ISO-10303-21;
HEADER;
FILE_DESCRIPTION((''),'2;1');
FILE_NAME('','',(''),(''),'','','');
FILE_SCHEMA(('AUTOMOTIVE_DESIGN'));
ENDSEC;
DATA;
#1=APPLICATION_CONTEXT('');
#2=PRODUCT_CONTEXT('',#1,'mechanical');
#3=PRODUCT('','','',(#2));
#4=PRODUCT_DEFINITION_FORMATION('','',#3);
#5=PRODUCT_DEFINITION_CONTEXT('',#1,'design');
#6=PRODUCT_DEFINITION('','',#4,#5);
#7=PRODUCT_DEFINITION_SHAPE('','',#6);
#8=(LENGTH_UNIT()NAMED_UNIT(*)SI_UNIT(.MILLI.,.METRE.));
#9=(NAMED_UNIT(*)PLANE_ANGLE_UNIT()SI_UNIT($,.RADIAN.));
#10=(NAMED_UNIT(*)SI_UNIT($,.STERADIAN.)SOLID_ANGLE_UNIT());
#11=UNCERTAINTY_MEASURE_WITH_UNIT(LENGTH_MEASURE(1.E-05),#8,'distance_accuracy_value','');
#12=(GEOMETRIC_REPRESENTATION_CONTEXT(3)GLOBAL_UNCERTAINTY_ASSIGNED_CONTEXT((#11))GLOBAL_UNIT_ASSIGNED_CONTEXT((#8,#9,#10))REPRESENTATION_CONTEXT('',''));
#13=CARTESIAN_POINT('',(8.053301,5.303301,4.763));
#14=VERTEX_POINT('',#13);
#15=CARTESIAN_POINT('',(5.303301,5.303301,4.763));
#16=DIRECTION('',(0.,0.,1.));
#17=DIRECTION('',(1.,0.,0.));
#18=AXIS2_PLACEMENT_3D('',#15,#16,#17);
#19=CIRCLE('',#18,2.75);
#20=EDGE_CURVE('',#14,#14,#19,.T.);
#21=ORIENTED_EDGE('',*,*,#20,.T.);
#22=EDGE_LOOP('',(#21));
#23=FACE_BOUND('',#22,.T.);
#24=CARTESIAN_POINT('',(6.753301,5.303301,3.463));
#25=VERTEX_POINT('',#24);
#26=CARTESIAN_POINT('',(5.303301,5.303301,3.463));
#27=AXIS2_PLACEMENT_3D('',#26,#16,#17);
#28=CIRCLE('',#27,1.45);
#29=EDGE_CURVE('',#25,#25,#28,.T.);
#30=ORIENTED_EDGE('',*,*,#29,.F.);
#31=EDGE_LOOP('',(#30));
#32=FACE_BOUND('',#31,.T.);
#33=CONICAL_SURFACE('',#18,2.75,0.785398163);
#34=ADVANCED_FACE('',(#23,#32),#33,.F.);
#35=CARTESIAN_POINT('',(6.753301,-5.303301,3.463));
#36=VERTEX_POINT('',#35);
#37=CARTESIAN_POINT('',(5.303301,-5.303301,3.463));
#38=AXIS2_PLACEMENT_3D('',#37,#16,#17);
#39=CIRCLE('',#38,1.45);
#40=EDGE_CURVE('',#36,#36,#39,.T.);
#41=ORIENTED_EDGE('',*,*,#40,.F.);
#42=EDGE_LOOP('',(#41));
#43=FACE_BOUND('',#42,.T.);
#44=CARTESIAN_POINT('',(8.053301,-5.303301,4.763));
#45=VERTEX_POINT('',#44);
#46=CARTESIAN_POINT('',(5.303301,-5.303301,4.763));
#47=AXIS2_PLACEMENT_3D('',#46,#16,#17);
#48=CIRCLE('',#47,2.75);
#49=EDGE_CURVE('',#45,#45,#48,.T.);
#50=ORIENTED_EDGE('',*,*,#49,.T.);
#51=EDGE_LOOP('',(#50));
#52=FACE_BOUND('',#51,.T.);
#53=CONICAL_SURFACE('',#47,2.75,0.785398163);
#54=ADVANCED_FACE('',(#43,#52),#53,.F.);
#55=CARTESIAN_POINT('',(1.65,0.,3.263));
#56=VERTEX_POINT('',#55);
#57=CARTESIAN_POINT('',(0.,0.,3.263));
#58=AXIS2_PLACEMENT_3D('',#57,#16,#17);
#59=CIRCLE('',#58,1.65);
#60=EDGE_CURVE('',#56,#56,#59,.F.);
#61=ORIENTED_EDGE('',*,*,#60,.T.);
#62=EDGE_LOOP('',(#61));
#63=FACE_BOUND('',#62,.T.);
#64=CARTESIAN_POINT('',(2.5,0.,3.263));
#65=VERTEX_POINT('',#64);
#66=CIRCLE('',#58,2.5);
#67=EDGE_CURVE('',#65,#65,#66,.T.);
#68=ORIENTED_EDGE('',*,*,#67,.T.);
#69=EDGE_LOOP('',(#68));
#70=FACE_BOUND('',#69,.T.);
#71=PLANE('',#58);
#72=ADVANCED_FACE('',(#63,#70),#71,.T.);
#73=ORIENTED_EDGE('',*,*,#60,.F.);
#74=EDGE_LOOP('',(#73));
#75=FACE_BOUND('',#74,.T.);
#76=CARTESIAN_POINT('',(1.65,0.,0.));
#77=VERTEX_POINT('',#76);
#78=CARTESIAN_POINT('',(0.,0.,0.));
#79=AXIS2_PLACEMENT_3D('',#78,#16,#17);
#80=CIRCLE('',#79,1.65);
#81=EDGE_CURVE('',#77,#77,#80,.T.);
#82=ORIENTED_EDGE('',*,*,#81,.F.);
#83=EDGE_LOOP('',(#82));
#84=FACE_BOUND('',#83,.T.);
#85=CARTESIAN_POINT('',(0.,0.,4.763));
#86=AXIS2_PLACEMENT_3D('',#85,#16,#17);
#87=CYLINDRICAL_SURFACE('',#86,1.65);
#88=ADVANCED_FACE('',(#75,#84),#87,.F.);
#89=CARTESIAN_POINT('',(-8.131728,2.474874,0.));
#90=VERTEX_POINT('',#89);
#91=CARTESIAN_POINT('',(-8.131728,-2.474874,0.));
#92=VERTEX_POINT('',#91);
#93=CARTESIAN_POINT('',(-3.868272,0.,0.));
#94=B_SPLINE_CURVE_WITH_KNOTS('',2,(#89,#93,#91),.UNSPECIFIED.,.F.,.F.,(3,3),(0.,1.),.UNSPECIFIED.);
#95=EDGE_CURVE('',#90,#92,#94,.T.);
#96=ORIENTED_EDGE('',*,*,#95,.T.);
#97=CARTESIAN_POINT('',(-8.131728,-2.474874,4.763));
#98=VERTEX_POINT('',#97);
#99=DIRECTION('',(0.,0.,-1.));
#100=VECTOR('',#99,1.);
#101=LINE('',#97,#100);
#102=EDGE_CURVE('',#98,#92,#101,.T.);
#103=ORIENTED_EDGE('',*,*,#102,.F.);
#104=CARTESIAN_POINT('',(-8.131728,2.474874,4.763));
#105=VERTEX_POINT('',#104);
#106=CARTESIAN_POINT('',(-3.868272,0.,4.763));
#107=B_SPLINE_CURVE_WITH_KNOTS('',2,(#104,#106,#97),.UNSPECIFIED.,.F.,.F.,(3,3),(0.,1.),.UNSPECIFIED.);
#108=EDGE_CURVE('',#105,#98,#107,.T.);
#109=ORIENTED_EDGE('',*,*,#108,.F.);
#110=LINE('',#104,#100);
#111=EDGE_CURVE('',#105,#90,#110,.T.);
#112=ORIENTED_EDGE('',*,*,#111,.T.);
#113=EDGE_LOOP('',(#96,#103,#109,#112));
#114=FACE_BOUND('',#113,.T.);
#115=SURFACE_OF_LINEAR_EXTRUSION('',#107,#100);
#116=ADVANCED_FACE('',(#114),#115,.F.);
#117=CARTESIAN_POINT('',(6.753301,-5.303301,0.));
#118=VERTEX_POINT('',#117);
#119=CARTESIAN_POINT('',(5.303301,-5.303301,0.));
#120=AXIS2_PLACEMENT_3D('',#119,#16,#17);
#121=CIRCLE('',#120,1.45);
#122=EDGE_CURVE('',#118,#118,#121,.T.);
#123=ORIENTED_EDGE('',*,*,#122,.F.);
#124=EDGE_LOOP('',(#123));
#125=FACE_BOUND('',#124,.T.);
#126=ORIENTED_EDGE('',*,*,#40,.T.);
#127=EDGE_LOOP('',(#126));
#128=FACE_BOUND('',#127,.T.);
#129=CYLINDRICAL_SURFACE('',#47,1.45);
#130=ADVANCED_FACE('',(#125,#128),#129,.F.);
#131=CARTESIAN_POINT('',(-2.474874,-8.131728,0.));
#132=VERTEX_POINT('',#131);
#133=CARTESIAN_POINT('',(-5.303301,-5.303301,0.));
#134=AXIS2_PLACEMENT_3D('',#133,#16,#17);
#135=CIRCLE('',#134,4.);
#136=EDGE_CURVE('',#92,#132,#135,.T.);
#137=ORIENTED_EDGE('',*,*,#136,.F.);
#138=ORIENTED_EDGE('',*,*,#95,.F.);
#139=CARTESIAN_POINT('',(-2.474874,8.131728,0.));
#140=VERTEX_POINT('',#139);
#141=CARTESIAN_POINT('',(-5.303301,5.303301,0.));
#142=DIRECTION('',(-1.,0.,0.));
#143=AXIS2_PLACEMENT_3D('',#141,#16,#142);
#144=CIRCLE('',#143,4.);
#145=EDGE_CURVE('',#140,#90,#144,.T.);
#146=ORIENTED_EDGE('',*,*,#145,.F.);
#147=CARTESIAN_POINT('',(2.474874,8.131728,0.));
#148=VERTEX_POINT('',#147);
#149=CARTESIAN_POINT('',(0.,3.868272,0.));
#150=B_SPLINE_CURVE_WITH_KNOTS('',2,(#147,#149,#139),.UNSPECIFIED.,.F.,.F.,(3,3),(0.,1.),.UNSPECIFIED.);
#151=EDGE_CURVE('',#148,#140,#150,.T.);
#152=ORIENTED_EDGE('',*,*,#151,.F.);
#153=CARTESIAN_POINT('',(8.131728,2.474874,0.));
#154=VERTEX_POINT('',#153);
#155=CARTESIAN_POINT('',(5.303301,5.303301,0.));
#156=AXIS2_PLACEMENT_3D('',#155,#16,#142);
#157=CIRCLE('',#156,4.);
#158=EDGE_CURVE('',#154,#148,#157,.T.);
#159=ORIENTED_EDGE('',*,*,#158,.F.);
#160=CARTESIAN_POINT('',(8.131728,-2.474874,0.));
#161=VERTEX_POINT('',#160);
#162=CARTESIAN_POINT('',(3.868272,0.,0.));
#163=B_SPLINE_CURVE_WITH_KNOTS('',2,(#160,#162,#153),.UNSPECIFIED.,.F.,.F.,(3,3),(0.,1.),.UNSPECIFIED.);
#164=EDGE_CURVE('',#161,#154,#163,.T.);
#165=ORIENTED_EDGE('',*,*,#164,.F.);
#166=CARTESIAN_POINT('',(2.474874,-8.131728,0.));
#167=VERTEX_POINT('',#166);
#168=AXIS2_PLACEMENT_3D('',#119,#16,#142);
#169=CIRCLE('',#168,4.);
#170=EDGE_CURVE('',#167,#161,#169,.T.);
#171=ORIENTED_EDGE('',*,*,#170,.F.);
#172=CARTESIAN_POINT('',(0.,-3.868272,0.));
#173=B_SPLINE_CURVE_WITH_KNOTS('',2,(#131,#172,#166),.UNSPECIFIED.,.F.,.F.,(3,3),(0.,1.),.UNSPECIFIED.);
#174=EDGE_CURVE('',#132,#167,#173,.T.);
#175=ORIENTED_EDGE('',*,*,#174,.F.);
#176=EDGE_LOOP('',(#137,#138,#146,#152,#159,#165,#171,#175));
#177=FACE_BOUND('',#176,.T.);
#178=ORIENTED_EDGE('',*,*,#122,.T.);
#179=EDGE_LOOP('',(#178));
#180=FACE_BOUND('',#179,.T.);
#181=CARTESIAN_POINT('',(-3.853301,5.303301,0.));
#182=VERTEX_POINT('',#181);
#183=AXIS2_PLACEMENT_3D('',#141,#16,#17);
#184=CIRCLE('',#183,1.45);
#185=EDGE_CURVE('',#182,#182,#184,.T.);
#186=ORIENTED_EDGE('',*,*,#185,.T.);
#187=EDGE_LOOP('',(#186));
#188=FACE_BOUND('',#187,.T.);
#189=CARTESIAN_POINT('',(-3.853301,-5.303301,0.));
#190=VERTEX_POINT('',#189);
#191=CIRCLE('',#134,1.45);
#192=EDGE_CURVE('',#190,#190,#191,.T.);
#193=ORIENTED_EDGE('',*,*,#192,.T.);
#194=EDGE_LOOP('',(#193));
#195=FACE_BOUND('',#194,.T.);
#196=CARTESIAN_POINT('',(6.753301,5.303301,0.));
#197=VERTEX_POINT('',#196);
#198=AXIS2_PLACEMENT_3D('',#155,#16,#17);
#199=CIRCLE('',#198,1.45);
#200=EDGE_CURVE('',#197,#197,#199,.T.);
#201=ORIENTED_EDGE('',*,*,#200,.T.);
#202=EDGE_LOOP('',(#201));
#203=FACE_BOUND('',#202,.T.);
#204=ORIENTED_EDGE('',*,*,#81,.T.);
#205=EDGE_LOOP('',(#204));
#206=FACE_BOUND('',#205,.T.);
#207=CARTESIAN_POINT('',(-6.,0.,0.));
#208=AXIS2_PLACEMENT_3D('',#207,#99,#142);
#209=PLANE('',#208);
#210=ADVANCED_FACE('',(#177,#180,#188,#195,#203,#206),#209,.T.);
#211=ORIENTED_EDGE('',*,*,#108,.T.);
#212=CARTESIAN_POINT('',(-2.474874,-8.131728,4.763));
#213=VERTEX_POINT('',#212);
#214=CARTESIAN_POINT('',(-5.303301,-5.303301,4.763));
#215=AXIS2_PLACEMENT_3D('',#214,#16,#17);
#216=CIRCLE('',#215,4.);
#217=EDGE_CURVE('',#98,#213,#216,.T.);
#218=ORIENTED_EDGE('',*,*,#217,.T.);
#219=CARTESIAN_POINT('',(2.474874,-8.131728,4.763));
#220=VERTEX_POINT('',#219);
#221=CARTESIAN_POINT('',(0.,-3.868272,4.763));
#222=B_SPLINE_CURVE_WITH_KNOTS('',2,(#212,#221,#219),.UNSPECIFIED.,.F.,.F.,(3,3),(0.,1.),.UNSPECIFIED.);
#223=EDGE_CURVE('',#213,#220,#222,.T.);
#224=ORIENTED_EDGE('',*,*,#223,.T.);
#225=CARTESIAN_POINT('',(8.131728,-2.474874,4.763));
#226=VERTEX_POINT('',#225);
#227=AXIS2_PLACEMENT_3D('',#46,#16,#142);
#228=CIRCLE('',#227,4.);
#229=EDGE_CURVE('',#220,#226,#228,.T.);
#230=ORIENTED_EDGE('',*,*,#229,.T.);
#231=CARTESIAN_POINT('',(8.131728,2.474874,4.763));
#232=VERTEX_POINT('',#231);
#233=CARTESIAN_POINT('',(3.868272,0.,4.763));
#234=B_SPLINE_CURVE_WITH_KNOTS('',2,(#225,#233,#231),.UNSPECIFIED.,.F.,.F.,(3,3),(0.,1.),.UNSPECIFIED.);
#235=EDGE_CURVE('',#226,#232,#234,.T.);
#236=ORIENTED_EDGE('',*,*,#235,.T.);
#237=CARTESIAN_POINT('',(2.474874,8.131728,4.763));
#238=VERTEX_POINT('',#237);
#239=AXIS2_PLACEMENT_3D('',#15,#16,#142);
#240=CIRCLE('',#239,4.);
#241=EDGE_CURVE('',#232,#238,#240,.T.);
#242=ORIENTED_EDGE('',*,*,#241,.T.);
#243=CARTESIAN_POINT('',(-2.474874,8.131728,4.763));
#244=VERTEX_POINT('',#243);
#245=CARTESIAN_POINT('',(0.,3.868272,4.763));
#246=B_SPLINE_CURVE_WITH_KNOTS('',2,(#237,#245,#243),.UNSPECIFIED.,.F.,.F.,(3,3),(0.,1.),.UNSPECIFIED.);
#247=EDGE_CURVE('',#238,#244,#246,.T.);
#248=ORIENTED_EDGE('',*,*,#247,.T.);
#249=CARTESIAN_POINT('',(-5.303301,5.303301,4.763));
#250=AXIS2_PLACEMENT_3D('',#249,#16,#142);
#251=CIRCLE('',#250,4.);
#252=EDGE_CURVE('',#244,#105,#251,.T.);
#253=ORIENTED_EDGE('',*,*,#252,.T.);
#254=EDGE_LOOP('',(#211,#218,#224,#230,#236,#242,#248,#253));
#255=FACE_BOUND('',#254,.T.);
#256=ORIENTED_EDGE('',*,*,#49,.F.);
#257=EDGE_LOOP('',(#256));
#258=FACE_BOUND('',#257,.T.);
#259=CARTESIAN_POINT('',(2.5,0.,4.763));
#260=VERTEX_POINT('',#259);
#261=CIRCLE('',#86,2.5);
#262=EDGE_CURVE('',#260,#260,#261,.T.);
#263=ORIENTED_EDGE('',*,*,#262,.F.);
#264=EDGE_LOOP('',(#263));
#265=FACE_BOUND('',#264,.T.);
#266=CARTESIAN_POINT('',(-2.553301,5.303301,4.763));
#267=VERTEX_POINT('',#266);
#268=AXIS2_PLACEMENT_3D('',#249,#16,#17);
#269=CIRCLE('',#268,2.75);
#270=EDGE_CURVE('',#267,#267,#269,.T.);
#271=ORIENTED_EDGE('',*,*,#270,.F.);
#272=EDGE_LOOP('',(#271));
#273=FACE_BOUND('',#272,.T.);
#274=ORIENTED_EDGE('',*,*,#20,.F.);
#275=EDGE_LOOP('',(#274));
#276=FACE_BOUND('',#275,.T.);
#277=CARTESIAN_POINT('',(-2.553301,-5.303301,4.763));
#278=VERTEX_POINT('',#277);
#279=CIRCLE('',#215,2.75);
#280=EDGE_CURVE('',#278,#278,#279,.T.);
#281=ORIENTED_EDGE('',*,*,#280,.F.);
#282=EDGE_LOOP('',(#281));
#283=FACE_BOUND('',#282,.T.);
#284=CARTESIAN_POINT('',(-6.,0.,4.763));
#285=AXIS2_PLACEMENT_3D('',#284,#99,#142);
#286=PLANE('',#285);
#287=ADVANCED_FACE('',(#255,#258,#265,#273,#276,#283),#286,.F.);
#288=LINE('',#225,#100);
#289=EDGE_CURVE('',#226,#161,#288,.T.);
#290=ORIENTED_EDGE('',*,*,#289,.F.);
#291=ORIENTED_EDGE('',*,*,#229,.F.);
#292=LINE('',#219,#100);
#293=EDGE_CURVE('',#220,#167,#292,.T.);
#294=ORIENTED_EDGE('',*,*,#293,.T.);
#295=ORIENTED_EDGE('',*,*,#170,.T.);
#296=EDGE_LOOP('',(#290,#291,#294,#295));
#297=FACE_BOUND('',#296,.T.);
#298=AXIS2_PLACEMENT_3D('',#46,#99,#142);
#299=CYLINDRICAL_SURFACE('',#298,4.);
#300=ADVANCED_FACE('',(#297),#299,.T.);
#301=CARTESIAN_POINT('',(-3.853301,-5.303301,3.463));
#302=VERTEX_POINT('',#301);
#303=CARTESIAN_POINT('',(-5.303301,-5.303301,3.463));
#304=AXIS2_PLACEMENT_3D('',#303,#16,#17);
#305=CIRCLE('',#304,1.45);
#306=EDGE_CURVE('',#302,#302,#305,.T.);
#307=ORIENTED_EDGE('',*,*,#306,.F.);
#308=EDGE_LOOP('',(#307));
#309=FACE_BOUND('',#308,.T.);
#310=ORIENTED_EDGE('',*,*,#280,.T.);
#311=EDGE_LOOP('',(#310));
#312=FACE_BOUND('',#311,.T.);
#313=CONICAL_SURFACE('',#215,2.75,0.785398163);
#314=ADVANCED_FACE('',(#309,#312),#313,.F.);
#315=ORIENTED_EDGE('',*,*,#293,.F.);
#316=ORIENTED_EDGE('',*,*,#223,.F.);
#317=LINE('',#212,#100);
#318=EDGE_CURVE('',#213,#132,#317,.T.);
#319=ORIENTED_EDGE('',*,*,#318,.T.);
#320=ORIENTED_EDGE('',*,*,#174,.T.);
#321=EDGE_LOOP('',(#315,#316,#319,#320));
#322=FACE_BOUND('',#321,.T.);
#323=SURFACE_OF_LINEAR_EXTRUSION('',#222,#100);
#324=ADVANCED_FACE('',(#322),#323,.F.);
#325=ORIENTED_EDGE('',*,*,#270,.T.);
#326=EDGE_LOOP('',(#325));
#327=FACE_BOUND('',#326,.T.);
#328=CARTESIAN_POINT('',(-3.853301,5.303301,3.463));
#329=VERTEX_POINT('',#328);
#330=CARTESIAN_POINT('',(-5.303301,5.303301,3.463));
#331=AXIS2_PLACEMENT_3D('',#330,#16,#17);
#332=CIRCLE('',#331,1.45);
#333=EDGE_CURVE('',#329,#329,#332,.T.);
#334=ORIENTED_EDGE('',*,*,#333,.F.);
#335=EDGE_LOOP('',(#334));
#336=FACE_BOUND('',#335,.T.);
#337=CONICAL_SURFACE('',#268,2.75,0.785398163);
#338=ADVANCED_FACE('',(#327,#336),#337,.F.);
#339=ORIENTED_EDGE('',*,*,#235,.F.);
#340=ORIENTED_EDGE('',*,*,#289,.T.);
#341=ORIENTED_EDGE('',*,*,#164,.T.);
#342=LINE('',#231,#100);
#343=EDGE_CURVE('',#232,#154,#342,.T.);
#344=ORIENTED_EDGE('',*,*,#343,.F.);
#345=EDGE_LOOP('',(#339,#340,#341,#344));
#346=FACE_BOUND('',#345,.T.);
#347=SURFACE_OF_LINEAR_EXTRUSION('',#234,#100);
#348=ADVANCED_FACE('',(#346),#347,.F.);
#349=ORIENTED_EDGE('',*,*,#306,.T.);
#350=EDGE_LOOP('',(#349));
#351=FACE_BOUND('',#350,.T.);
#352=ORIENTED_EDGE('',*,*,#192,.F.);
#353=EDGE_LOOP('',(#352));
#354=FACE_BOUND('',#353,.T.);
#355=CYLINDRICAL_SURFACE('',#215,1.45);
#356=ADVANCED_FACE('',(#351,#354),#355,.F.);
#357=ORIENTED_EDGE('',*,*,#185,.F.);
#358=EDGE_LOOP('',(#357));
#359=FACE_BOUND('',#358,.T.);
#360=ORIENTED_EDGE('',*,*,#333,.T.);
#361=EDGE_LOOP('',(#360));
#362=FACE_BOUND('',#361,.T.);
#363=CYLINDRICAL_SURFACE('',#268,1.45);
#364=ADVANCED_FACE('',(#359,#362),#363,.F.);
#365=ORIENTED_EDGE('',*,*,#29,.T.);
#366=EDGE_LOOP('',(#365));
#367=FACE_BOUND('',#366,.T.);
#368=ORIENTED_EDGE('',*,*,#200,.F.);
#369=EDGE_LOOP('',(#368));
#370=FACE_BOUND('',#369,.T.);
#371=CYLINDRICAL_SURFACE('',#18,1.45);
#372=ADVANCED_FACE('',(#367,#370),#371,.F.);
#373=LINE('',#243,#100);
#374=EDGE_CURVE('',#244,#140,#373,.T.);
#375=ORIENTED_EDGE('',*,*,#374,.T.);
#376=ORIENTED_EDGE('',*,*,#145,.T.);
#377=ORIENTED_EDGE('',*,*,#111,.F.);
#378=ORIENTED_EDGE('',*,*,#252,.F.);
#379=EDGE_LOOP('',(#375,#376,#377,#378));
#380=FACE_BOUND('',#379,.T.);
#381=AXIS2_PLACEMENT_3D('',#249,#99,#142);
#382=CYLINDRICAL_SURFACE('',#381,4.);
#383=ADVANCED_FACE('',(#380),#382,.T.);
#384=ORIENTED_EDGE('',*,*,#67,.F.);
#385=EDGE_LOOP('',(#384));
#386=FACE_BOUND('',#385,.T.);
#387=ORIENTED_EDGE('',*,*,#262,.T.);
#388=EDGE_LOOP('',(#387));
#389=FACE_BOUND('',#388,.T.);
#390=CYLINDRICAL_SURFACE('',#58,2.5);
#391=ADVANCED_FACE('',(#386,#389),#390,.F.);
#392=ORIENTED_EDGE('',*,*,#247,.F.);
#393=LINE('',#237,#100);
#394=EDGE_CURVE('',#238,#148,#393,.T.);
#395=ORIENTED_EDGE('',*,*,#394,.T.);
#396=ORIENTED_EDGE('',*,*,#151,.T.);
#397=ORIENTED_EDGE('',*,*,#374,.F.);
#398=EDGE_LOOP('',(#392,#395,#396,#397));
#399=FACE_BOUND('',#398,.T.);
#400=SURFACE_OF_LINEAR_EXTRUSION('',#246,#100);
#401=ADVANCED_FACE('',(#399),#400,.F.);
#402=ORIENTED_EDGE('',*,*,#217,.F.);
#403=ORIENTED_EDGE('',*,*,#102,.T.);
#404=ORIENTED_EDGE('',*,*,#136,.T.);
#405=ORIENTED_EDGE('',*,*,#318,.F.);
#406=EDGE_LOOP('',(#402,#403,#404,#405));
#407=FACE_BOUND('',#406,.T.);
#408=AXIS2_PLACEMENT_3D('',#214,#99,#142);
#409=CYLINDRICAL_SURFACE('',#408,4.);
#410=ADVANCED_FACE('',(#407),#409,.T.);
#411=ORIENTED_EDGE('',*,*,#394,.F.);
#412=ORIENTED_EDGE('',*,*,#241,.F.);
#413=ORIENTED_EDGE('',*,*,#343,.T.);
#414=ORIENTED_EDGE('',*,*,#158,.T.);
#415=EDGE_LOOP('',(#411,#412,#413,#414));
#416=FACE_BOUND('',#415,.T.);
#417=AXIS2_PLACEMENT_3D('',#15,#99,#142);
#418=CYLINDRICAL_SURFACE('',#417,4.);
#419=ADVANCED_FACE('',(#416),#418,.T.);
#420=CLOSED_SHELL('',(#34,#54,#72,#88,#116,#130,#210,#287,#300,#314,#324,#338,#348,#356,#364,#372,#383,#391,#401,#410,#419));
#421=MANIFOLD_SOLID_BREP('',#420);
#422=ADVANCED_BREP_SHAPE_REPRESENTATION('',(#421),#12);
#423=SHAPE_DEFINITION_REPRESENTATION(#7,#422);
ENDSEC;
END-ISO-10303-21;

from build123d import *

# Parameters (mm, degrees)
BOSS_EXTRUDE1_DEPTH                               = 4.763
CSK_FOR_M2_5_FLAT_HEAD_MACHINE_SCREW1_D           = 2.9
CSK_FOR_M2_5_FLAT_HEAD_MACHINE_SCREW1_CSINK_D     = 5.5
CSK_FOR_M2_5_FLAT_HEAD_MACHINE_SCREW1_CSINK_ANGLE = 90
TAP_DRILL_FOR_M4X0_7_TAP1_D                       = 3.3
SKETCH8_R                                         = 2.5
CUT_EXTRUDE1_DEPTH                                = 1.5


with BuildPart() as part:
    # Sketch1 → Boss-Extrude1 (new body)
    with BuildSketch(Plane.XY):
        with BuildLine():
            ThreePointArc((-8.131727984, 2.474873734), (-8.131727984, 8.131727984), (-2.474873734, 8.131727984))
            add(Edge.make_bspline(
                [(-2.474873734, 8.131727984), (0, 3.868272016), (2.474873734, 8.131727984)],
                knots=[0, 0, 0, 1, 1, 1], degree=2))
            ThreePointArc((2.474873734, 8.131727984), (8.131727984, 8.131727984), (8.131727984, 2.474873734))
            add(Edge.make_bspline(
                [(8.131727984, 2.474873734), (3.868272016, 0), (8.131727984, -2.474873734)],
                knots=[0, 0, 0, 1, 1, 1], degree=2))
            ThreePointArc((8.131727984, -2.474873734), (8.131727984, -8.131727984), (2.474873734, -8.131727984))
            add(Edge.make_bspline(
                [(2.474873734, -8.131727984), (0, -3.868272016), (-2.474873734, -8.131727984)],
                knots=[0, 0, 0, 1, 1, 1], degree=2))
            ThreePointArc((-2.474873734, -8.131727984), (-8.131727984, -8.131727984), (-8.131727984, -2.474873734))
            add(Edge.make_bspline(
                [(-8.131727984, -2.474873734), (-3.868272016, 0), (-8.131727984, 2.474873734)],
                knots=[0, 0, 0, 1, 1, 1], degree=2))
        make_face()
    extrude(amount=BOSS_EXTRUDE1_DEPTH)

    # CSK for M2.5 Flat Head Machine Screw1 (through all)
    with Locations(Plane.XY.offset(4.763)):
        with Locations((-5.303300859, 5.303300859), (5.303300859, 5.303300859), (5.303300859, -5.303300859), (-5.303300859, -5.303300859)):
            CounterSinkHole(CSK_FOR_M2_5_FLAT_HEAD_MACHINE_SCREW1_D / 2, CSK_FOR_M2_5_FLAT_HEAD_MACHINE_SCREW1_CSINK_D / 2, counter_sink_angle=CSK_FOR_M2_5_FLAT_HEAD_MACHINE_SCREW1_CSINK_ANGLE)

    # Tap Drill for M4x0.7 Tap1 (through all)
    with Locations(Plane.XY.offset(4.763)):
        with Locations((0, 0)):
            Hole(TAP_DRILL_FOR_M4X0_7_TAP1_D / 2)

    # Sketch8 → Cut-Extrude1 (cut)
    with BuildSketch(Plane.XY.offset(4.763)):
        Circle(SKETCH8_R)
    extrude(amount=-CUT_EXTRUDE1_DEPTH, mode=Mode.SUBTRACT)


solid = part.part
